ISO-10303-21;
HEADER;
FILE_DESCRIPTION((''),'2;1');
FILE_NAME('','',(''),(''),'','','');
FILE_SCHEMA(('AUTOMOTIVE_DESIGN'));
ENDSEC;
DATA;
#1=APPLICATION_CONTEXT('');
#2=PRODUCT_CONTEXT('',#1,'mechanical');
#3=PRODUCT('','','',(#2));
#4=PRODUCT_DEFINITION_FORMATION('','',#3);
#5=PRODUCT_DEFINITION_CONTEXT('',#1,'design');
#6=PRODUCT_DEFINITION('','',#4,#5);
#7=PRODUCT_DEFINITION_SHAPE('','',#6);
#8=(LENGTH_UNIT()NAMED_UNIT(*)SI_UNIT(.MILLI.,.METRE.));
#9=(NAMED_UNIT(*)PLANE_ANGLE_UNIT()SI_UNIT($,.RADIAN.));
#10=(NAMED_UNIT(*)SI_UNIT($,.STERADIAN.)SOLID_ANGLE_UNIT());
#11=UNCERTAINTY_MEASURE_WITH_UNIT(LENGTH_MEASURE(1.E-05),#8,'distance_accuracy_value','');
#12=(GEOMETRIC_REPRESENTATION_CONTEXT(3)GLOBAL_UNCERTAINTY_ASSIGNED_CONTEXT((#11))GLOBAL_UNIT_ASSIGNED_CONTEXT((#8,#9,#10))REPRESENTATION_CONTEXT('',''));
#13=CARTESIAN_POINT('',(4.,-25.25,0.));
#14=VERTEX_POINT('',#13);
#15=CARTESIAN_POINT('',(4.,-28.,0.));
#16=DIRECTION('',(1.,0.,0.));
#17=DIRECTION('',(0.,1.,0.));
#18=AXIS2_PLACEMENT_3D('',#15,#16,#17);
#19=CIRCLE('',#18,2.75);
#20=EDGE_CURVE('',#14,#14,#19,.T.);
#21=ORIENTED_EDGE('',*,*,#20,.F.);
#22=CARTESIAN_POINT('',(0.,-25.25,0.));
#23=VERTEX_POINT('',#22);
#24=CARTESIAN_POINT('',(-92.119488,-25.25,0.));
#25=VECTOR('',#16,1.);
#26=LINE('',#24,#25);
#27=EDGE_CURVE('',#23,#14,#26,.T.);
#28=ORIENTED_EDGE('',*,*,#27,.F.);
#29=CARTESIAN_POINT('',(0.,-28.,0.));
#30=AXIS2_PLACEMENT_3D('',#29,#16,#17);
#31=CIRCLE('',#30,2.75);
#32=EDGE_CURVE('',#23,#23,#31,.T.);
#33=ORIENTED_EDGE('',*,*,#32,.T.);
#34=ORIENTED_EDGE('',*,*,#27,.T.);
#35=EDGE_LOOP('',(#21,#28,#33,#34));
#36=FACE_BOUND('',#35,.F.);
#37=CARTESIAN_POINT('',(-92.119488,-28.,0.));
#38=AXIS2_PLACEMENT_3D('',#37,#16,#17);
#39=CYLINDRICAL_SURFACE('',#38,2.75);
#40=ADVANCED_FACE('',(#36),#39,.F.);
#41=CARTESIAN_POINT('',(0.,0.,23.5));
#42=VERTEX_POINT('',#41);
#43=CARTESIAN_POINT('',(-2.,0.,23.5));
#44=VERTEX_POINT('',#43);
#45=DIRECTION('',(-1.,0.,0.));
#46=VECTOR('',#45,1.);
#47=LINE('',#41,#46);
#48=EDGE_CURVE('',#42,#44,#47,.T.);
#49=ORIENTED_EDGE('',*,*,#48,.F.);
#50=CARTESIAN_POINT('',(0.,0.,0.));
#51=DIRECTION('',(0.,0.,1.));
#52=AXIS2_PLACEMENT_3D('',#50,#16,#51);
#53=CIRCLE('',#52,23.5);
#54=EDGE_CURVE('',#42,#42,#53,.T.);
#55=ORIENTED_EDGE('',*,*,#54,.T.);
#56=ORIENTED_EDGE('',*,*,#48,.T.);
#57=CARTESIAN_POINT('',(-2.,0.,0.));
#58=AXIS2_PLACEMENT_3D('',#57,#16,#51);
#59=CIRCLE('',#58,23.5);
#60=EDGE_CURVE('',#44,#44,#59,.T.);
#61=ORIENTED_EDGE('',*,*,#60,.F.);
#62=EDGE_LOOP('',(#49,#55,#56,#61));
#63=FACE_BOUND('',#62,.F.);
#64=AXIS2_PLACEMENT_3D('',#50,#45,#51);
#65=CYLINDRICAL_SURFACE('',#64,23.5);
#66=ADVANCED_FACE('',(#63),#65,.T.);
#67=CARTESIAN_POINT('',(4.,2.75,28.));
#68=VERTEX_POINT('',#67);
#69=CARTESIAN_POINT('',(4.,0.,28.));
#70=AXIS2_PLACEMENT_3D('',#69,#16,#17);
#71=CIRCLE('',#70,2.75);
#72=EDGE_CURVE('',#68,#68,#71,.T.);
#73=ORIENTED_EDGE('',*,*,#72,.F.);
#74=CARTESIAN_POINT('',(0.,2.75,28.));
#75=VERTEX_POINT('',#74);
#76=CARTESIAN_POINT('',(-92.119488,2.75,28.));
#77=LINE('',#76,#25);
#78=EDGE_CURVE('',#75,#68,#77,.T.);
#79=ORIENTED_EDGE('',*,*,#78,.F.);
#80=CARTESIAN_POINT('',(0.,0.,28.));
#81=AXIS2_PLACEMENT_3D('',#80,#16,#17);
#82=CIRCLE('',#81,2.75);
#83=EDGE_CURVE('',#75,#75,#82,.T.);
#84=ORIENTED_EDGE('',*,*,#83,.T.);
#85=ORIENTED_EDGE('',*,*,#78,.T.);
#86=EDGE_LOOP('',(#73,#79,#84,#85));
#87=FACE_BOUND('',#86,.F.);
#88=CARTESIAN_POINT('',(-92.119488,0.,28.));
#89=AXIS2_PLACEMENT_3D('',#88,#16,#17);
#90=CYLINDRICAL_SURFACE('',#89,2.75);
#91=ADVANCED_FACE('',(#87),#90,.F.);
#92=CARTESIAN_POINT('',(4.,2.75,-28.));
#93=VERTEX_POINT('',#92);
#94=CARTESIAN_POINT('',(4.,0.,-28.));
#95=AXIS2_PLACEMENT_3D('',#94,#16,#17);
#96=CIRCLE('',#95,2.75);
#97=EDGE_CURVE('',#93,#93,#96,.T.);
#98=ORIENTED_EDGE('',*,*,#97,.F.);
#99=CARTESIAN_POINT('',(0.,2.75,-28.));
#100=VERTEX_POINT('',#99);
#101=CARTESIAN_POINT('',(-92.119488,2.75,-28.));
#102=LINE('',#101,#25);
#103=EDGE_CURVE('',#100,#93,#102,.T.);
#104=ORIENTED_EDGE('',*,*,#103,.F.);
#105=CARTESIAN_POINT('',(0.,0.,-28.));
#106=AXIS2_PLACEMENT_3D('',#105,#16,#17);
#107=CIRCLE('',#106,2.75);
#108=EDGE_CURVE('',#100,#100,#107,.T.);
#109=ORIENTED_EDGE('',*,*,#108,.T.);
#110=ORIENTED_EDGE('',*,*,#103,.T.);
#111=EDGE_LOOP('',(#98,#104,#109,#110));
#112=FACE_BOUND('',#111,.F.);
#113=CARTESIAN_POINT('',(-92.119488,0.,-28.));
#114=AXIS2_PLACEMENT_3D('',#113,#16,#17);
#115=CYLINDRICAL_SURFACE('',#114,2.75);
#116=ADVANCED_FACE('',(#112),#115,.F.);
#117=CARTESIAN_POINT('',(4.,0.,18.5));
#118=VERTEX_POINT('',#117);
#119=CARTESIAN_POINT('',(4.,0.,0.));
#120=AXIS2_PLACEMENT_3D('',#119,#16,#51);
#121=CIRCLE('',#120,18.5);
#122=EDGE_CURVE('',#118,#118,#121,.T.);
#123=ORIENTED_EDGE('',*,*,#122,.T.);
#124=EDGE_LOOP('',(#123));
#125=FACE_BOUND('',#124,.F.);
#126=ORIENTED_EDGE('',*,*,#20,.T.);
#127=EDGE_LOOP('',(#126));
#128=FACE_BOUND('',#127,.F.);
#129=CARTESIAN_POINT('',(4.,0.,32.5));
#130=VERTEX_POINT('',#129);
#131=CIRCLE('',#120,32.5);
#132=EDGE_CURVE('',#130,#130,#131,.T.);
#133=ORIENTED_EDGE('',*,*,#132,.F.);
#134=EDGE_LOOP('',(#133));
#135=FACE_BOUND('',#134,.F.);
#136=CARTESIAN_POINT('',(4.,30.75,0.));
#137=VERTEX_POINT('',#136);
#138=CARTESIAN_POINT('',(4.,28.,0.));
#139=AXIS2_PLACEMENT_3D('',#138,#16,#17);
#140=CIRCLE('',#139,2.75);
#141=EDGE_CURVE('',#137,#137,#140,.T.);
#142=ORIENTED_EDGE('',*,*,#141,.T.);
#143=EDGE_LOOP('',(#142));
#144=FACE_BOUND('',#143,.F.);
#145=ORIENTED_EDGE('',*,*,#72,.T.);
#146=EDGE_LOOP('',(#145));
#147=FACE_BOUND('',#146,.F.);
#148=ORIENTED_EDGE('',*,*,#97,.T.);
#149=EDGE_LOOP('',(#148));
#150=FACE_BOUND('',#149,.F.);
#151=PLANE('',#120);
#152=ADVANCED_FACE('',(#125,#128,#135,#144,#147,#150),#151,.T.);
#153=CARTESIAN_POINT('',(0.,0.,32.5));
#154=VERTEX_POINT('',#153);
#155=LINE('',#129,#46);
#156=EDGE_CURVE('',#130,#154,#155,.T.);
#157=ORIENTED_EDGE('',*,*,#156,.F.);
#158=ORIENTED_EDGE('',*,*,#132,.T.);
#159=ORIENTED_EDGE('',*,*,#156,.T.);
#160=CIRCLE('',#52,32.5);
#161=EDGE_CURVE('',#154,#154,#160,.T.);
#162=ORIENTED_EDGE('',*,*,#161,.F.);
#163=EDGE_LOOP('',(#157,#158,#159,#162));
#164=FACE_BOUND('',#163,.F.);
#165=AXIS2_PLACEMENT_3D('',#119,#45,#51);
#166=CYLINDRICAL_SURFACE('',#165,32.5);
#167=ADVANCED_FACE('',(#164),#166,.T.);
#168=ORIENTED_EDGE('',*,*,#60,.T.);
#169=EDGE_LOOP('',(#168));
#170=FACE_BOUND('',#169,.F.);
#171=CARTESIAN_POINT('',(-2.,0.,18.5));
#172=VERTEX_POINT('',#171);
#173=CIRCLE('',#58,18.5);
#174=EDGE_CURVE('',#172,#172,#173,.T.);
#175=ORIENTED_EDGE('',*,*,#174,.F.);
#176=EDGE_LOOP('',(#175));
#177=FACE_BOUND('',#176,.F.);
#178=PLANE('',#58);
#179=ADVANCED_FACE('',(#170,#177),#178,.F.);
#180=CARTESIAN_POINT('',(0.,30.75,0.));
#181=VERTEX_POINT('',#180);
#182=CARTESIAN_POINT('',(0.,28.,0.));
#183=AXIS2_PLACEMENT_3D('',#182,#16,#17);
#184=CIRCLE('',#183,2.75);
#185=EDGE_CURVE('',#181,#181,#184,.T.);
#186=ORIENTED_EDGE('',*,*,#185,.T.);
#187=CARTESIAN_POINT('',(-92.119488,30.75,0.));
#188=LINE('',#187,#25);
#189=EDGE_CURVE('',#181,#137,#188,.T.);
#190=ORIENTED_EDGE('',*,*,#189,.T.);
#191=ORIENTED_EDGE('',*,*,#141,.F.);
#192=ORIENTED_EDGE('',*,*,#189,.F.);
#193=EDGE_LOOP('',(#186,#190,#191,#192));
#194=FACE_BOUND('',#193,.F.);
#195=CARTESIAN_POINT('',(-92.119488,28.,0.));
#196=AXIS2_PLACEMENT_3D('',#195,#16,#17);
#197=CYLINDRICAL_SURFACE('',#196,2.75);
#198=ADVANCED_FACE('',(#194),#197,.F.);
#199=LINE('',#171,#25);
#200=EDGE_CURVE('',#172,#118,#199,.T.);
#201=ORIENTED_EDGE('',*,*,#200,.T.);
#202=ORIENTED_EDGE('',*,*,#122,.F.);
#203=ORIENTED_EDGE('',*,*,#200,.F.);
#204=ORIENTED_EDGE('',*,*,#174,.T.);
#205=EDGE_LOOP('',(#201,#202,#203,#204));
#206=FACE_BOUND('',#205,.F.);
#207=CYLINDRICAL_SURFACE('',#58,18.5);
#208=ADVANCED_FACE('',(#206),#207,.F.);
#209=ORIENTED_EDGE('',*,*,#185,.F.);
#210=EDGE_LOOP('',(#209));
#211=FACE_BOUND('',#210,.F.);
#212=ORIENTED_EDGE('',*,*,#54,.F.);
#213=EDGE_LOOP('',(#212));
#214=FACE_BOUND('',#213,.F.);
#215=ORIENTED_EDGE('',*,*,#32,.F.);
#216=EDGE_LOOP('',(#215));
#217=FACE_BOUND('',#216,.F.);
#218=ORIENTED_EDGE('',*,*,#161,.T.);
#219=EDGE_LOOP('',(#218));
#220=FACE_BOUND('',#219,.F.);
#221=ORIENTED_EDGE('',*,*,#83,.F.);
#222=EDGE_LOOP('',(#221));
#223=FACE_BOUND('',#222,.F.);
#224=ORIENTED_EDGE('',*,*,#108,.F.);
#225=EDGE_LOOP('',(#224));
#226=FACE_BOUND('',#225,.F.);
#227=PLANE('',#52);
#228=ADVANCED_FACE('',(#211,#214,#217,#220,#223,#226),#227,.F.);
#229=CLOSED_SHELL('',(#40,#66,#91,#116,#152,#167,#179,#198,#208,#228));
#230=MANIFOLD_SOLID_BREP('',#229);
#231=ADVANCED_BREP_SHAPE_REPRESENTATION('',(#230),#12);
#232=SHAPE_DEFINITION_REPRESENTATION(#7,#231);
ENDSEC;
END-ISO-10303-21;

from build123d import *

# Parameters (mm, degrees)
F3_D = 5.5


with BuildPart() as f1:
    # F0 (on Front) → F1 (revolve)
    with BuildSketch(Plane.XZ):
        Polygon((4, 32.5), (0, 32.5), (0, 23.5), (-2, 23.5), (-2, 18.5), (4, 18.5), align=None)
    revolve(axis=Axis((1.6395361068, 0, 0), (1, 0, 0)))

    # F3 (through all)
    with Locations(Plane(origin=(0, 0, 0), x_dir=(0, -1, 0), z_dir=(-1, 0, 0))):
        with Locations((0, 28), (28, 0), (0, -28), (-28, 0)):
            Hole(F3_D / 2)


solid = f1.part
